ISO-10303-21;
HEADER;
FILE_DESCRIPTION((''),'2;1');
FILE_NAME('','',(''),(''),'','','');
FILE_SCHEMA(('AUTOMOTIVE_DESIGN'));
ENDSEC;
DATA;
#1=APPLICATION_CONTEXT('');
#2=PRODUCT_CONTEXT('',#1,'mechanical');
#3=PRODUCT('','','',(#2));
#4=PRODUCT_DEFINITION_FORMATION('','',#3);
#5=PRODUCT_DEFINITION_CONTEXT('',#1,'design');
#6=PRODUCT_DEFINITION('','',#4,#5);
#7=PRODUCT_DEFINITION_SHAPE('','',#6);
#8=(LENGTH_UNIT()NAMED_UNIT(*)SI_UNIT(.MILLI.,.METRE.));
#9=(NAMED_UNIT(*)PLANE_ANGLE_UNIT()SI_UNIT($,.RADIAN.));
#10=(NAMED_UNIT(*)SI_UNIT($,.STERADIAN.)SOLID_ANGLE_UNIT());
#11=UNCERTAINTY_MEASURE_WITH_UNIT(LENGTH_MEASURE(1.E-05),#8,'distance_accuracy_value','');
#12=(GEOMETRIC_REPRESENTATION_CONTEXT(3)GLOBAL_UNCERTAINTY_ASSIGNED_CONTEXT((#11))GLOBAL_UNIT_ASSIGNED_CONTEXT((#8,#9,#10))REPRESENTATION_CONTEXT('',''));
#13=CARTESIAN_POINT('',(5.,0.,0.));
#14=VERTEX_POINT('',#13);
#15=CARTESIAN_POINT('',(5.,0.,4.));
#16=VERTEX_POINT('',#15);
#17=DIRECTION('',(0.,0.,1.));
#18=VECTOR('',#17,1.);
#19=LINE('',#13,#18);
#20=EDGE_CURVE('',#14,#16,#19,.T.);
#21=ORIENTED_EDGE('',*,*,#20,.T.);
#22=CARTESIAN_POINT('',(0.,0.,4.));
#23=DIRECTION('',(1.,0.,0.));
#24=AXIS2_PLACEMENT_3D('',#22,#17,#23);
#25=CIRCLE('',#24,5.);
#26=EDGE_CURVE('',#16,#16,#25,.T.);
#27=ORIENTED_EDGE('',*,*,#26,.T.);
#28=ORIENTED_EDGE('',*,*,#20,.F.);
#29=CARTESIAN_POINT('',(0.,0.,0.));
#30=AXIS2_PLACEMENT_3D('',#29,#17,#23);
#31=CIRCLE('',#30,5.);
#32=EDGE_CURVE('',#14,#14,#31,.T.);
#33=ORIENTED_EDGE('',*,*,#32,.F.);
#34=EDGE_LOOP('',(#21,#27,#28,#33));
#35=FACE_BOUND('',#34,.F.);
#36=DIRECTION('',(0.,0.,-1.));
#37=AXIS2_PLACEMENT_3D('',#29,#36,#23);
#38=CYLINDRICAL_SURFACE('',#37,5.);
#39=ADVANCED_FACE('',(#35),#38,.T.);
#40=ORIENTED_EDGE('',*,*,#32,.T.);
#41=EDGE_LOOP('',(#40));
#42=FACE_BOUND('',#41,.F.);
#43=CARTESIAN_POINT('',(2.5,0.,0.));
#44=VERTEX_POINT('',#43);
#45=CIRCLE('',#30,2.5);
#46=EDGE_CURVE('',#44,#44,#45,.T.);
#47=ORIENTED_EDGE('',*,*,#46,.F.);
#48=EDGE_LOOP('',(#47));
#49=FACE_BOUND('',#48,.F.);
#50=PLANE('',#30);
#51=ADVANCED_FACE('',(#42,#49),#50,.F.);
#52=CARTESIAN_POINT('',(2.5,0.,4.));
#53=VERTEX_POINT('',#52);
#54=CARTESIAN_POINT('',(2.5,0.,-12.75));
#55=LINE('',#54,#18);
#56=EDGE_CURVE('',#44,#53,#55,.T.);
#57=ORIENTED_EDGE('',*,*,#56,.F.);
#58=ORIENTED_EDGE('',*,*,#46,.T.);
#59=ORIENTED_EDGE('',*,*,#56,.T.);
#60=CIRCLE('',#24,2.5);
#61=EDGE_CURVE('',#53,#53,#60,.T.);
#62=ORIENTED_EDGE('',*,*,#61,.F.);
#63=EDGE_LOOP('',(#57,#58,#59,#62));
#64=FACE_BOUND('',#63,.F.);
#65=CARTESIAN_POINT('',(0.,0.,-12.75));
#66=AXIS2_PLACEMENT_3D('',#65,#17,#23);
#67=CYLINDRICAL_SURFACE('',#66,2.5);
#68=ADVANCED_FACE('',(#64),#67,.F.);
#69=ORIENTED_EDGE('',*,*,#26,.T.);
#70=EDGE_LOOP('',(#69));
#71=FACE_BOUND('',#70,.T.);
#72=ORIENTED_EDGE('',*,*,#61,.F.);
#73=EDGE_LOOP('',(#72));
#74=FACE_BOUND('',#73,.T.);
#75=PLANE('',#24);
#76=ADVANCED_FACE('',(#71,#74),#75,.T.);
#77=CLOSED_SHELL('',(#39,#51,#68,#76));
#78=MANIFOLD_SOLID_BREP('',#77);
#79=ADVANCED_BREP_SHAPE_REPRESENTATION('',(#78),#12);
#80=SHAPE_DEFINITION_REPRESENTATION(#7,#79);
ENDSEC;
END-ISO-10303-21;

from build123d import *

# Parameters (mm, degrees)
SKETCH1_R                 = 5
BOSS_EXTRUDE1_DEPTH       = 4
F_5_0MM_DOWEL_HOLE1_D     = 5
F_5_0MM_DOWEL_HOLE1_DEPTH = 12.75
F_5_0MM_DOWEL_HOLE1_TIP   = 1.502151548


with BuildPart() as part:
    # Sketch1 → Boss-Extrude1 (new body)
    with BuildSketch(Plane.XY):
        Circle(SKETCH1_R)
    extrude(amount=BOSS_EXTRUDE1_DEPTH)

    # Ø5.0mm Dowel Hole1
    with Locations(Plane(origin=(0, 0, 0), x_dir=(-1, 0, 0), z_dir=(0, 0, -1))):
        with Locations((0, 0)):
            Hole(F_5_0MM_DOWEL_HOLE1_D / 2, depth=F_5_0MM_DOWEL_HOLE1_DEPTH)
            with Locations((0, 0, -(F_5_0MM_DOWEL_HOLE1_DEPTH + F_5_0MM_DOWEL_HOLE1_TIP / 2))):  # 118° drill point
                Cone(0, F_5_0MM_DOWEL_HOLE1_D / 2, F_5_0MM_DOWEL_HOLE1_TIP, mode=Mode.SUBTRACT)


solid = part.part
